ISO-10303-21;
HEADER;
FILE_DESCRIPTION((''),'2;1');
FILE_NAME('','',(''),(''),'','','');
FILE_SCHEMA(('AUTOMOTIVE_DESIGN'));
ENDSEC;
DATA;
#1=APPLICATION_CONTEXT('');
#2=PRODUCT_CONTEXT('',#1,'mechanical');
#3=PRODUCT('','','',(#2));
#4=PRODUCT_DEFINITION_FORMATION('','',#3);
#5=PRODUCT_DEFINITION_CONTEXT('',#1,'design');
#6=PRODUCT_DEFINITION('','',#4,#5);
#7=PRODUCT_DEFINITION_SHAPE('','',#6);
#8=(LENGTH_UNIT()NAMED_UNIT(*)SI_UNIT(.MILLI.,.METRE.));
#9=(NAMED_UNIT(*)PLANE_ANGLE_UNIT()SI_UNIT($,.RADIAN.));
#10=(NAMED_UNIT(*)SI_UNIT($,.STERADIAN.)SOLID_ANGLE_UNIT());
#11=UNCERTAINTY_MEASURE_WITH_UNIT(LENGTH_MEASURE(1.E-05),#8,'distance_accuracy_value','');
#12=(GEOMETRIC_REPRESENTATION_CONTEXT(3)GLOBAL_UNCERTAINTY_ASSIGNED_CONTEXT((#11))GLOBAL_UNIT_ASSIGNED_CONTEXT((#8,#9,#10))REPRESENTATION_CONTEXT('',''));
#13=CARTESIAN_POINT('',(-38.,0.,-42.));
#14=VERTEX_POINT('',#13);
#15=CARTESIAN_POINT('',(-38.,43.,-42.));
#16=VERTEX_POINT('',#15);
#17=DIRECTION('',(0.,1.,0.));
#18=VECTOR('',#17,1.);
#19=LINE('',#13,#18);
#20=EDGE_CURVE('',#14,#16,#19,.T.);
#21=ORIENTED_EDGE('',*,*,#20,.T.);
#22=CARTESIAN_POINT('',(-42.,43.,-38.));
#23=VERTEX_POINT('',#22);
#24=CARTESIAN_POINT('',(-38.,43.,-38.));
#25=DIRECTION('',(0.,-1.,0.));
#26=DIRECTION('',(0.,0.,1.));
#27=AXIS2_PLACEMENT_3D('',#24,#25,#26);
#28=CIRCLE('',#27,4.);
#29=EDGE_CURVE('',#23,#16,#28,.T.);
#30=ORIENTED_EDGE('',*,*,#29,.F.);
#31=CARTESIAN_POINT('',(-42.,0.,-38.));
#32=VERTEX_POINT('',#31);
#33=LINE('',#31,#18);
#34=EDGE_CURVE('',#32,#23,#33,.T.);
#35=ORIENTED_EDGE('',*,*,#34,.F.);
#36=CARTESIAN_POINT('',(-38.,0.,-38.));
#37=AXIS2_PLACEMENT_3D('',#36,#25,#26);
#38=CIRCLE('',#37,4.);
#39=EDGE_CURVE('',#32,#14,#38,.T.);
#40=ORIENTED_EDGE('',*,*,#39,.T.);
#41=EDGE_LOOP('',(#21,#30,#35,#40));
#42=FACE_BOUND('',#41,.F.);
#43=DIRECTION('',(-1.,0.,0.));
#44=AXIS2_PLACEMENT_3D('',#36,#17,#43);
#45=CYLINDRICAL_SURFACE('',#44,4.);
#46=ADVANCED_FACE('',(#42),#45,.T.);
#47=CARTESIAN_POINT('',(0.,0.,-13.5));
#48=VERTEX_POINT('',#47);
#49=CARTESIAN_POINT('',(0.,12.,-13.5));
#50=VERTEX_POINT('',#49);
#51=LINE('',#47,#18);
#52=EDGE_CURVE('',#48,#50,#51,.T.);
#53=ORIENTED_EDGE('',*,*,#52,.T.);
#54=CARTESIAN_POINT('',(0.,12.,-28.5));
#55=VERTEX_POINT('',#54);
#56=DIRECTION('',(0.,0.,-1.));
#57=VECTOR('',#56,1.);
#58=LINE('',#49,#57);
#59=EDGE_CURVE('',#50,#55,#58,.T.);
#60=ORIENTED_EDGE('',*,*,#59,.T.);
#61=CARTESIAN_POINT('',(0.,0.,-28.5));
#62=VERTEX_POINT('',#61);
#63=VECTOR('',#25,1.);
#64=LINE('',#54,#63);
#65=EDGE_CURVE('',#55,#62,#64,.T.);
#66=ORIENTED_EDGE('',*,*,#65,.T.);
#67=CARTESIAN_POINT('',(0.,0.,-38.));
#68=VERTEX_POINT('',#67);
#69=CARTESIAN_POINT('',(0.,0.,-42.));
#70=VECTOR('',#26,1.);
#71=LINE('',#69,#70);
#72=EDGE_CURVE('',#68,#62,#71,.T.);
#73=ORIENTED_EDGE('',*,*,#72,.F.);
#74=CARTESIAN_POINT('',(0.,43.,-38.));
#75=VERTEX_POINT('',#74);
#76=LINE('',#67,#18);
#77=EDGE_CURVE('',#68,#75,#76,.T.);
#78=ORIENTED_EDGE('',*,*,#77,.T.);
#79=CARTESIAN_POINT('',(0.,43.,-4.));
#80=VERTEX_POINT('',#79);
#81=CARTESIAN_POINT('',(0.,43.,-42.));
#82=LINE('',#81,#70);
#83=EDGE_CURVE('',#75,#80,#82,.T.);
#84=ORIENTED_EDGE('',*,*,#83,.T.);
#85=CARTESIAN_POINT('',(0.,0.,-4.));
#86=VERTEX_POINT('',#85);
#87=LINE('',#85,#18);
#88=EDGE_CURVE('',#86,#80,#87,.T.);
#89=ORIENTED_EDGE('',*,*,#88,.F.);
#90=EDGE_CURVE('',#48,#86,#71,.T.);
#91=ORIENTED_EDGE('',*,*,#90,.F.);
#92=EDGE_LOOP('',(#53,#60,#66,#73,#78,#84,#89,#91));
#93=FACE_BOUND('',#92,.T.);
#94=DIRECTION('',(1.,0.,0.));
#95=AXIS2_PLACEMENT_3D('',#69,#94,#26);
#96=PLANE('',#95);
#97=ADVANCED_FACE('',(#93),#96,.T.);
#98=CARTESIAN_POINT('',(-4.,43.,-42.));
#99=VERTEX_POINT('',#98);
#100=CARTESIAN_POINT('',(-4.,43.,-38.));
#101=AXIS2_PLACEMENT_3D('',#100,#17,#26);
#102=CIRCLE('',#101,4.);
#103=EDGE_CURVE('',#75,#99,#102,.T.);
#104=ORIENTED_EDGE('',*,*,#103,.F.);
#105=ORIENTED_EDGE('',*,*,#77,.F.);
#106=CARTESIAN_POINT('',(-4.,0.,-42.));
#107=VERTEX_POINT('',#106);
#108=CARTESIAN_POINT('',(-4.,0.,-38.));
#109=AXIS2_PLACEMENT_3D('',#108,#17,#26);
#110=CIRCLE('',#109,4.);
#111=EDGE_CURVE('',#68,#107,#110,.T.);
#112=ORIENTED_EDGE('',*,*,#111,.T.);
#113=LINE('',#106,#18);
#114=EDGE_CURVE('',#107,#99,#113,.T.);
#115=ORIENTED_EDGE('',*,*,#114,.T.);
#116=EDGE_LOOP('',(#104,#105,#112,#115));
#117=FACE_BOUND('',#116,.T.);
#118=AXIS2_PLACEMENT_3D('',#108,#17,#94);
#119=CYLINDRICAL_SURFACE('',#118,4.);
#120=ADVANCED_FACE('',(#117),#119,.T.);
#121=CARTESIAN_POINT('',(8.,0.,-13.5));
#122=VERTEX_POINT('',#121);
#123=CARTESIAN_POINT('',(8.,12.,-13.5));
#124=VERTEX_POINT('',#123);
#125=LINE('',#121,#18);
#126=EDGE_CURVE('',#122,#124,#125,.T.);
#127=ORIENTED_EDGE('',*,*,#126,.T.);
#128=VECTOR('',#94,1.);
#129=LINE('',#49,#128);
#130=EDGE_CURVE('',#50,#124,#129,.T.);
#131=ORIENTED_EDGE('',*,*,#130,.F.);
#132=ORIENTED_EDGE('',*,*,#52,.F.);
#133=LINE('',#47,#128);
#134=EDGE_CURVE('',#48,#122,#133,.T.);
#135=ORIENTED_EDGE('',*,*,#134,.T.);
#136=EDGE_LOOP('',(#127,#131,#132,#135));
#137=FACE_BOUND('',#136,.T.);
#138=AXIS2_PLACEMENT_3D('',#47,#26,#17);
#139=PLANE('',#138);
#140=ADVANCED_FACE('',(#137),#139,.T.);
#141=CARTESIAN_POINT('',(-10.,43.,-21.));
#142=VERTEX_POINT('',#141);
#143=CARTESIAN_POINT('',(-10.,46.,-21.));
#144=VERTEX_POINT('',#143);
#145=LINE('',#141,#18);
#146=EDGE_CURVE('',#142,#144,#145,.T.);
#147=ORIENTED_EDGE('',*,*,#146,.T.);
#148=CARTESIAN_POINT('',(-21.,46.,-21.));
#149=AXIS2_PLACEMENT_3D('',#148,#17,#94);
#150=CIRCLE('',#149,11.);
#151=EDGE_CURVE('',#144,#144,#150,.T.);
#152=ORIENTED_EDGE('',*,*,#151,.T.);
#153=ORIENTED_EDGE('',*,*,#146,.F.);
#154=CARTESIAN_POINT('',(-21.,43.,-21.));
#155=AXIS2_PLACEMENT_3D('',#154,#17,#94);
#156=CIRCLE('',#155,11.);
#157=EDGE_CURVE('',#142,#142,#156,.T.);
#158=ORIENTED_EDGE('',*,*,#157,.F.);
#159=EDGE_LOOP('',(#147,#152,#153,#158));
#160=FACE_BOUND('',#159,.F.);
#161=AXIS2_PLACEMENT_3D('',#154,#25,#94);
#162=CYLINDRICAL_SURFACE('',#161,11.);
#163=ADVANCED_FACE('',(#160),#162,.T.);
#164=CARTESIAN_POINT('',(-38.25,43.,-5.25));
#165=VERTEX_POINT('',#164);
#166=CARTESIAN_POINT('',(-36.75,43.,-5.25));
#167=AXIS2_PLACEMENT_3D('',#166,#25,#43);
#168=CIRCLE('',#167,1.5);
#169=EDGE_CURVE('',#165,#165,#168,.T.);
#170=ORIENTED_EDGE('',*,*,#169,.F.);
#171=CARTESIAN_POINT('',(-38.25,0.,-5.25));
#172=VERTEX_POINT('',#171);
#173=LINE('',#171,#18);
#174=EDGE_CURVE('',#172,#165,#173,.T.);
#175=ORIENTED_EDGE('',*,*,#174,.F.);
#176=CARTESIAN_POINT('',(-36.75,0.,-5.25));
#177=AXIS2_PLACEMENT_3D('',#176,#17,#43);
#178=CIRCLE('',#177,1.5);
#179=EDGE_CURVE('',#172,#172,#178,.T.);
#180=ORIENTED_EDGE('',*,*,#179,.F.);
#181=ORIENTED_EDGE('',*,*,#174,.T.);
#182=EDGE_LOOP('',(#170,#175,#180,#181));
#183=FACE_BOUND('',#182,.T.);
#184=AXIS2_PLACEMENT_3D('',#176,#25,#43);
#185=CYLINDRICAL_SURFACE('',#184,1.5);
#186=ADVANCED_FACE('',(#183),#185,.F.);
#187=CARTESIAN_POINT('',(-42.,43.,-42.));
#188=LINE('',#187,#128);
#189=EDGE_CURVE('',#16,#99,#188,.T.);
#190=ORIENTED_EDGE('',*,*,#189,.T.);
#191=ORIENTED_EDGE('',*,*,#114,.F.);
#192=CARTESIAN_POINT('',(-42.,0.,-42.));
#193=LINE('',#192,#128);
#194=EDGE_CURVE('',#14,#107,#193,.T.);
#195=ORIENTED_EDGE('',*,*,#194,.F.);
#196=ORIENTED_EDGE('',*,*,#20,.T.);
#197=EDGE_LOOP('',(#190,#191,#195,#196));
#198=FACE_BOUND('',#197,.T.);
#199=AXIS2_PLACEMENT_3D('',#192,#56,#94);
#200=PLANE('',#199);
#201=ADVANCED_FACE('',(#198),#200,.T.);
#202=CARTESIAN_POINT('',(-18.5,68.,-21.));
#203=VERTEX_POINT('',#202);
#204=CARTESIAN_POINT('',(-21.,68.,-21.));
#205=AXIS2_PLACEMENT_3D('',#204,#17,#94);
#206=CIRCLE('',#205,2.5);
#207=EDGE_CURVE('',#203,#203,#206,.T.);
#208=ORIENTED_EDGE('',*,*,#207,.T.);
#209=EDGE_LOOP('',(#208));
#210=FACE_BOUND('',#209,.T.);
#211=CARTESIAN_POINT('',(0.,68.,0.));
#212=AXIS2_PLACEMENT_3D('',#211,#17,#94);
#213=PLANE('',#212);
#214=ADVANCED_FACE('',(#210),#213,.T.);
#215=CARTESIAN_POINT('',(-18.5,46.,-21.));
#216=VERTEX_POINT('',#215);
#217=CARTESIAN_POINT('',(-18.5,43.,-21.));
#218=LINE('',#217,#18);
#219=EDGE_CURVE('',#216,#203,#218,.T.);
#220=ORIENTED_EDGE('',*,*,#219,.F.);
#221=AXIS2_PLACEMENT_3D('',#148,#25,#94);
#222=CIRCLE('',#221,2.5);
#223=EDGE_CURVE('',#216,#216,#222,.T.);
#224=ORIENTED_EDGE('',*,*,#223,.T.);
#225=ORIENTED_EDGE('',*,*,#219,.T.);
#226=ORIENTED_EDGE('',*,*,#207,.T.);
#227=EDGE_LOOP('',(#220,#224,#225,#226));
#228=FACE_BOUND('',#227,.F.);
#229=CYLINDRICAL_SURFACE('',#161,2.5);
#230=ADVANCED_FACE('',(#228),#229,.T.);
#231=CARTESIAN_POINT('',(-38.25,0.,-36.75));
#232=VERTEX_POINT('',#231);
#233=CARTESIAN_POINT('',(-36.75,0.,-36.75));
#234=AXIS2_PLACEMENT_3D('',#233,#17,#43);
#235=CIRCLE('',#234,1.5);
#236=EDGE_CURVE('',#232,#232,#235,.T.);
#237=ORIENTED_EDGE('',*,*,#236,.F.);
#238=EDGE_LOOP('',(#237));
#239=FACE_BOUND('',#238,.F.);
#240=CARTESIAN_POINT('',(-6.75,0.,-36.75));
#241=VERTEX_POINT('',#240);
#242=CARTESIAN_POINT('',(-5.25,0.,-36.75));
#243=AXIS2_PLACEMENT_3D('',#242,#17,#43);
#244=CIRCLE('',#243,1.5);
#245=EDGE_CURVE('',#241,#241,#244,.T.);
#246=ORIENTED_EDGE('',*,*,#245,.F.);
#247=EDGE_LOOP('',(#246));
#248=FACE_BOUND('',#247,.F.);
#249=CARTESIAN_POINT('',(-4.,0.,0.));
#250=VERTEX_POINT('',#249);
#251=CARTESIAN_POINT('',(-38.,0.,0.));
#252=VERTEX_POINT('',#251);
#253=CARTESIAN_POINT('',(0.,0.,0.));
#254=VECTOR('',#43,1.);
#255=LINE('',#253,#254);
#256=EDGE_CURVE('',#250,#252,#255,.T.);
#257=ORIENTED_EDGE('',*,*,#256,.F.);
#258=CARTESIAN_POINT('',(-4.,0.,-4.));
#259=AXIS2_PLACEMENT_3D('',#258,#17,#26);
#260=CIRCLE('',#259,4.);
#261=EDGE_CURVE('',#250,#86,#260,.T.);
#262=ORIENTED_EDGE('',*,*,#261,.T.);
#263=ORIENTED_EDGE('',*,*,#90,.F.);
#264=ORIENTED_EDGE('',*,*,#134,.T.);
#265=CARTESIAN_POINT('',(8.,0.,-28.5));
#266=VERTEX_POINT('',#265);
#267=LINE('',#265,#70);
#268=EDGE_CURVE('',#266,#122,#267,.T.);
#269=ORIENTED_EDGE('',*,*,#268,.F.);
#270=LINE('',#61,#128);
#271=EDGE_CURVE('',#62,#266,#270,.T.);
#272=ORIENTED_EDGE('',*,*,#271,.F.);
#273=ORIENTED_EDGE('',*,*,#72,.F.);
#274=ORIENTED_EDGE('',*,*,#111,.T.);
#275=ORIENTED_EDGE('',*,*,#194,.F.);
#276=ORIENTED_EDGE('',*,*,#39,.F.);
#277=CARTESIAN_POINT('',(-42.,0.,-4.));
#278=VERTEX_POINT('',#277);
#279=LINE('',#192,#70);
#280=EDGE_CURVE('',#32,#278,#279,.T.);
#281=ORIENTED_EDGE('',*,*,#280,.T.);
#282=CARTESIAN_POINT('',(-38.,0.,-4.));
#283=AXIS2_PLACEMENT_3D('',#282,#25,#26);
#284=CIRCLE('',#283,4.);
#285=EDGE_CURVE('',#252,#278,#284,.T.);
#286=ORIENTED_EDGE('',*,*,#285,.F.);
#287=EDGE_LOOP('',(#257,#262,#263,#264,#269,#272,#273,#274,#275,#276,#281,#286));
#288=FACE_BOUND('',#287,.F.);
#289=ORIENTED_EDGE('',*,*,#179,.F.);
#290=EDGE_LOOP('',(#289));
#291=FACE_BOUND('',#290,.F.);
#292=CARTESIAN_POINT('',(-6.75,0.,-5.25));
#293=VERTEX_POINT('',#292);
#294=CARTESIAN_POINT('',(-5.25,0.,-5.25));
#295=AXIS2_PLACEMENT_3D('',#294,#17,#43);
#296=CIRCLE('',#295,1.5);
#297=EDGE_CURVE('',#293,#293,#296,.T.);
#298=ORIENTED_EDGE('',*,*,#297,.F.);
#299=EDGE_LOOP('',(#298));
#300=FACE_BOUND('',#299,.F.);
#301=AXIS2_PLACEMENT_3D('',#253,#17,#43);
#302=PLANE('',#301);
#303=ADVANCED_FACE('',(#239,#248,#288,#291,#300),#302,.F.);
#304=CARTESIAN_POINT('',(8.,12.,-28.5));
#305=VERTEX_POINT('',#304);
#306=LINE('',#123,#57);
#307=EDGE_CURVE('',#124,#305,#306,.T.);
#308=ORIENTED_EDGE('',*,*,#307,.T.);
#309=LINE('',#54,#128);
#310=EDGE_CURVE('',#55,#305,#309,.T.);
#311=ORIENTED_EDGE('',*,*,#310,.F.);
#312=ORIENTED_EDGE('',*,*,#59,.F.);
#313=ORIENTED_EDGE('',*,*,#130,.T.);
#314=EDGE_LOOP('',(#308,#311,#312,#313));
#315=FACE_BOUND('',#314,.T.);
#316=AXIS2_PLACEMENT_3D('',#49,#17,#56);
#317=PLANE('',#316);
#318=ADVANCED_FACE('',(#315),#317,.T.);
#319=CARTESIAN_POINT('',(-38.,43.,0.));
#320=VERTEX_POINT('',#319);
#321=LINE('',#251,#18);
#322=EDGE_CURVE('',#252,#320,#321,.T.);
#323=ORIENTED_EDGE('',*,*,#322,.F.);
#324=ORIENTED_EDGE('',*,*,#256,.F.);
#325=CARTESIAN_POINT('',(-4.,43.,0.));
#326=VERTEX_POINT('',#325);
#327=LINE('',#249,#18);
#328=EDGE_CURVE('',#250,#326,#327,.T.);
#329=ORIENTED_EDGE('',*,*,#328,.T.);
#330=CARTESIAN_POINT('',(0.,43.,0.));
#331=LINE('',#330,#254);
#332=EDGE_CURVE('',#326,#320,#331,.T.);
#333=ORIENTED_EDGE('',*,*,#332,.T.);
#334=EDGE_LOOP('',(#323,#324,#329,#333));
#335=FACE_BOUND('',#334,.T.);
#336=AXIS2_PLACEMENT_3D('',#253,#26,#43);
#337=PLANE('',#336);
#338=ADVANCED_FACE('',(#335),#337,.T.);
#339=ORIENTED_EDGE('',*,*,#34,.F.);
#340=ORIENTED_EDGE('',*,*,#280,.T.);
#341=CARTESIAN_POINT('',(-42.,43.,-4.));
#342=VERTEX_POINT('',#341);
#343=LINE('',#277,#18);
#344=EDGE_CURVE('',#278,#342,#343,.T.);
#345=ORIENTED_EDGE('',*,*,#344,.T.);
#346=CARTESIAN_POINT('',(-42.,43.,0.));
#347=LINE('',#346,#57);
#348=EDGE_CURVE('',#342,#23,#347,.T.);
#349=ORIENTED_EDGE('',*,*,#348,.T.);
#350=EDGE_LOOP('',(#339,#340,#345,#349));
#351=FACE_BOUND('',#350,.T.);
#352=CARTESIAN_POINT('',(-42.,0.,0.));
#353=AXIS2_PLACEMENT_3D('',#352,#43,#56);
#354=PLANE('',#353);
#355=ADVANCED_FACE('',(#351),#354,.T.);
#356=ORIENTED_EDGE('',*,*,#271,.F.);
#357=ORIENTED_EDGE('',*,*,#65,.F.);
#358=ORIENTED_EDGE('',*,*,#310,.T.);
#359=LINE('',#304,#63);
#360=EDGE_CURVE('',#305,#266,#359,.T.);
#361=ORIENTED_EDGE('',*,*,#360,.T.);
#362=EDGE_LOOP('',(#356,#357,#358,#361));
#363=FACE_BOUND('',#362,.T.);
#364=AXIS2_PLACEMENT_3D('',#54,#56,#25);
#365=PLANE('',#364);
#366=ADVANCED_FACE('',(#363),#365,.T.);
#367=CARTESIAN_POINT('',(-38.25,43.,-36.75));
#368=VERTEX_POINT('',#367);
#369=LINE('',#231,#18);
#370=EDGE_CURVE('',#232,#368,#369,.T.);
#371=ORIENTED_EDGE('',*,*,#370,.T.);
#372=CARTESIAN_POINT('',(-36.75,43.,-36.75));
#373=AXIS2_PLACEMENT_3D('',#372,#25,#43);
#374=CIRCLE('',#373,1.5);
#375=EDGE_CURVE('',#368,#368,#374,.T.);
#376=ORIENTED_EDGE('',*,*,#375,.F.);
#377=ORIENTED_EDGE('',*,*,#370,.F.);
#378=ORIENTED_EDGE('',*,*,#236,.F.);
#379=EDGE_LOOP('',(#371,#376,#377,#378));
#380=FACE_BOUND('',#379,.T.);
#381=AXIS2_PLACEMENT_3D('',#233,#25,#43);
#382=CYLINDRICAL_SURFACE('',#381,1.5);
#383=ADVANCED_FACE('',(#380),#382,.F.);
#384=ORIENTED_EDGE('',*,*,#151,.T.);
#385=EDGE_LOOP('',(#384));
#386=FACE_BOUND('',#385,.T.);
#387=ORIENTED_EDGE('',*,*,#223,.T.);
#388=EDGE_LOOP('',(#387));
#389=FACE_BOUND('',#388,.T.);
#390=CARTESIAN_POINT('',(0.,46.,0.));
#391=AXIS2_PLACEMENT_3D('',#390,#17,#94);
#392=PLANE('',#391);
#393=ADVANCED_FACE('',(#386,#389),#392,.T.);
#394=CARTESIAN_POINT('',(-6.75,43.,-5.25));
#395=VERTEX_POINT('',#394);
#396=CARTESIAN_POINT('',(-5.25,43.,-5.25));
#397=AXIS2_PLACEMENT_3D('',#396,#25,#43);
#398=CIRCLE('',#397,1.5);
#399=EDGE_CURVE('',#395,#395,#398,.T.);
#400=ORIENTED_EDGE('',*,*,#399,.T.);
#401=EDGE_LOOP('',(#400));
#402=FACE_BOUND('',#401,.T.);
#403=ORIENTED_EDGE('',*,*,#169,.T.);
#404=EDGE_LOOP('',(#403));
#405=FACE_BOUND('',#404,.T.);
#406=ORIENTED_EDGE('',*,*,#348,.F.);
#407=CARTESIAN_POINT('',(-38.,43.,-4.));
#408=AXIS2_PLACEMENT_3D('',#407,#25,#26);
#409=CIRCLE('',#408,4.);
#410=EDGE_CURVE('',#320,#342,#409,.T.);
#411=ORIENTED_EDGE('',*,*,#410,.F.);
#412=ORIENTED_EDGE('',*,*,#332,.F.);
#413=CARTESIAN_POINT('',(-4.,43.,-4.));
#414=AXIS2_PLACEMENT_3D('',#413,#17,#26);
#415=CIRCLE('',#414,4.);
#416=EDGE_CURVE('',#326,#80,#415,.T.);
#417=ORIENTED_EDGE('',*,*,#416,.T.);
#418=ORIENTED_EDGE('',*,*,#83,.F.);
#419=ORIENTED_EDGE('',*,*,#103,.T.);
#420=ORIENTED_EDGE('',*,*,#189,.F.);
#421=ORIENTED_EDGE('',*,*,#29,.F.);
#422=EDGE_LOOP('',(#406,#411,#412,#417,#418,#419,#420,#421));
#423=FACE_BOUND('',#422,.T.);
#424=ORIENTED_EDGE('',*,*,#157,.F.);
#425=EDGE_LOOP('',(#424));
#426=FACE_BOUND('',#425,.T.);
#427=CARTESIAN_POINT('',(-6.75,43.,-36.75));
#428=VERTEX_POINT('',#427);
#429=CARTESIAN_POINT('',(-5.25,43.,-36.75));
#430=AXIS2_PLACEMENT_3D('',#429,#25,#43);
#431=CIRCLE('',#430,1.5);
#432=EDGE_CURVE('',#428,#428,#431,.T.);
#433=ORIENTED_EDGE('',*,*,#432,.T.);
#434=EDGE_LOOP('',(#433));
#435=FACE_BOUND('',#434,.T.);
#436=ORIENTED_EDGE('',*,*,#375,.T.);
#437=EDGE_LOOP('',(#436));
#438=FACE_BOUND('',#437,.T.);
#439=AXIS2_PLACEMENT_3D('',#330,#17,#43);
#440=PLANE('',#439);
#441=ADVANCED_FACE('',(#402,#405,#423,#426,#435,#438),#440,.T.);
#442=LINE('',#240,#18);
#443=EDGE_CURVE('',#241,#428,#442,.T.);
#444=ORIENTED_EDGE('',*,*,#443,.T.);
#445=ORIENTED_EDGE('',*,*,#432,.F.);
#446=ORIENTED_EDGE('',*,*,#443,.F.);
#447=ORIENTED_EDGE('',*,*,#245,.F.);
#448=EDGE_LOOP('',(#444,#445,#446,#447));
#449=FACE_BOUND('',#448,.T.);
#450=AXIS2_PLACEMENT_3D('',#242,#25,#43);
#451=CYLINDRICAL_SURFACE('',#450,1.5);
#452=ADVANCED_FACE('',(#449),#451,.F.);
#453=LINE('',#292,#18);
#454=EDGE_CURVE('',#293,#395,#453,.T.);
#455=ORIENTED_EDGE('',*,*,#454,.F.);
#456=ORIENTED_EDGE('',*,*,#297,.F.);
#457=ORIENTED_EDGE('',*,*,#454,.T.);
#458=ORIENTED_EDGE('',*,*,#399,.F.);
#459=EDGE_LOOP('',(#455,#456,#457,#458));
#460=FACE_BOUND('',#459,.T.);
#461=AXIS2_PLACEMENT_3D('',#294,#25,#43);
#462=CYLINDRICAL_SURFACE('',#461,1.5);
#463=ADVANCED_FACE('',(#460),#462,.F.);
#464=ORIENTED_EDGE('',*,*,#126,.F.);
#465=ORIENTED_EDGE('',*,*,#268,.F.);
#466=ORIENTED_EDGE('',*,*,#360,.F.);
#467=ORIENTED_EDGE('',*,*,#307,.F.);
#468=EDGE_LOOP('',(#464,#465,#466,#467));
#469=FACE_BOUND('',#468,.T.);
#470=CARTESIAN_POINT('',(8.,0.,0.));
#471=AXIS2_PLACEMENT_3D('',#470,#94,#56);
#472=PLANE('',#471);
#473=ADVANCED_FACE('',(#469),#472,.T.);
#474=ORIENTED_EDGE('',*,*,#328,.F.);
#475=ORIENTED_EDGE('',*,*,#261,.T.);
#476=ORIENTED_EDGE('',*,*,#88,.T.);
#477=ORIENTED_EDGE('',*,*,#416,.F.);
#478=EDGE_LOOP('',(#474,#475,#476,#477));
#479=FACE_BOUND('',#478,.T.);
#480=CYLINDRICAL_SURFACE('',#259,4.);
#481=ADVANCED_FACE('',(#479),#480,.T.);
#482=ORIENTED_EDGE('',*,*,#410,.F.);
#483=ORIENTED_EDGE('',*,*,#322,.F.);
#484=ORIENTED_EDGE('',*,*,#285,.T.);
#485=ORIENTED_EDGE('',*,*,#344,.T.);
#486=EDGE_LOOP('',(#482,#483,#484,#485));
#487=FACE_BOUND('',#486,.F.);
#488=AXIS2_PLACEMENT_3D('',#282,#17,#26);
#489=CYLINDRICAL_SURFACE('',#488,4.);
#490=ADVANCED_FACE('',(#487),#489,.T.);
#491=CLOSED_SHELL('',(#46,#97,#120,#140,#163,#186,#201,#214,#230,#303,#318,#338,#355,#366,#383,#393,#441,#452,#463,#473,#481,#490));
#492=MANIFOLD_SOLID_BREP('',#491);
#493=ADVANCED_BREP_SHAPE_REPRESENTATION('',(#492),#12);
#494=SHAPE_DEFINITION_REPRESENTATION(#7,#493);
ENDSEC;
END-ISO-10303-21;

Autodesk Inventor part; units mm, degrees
ref_plane "YZ Plane" through (0, 0, 0) normal (1, 0, 0) x (0, 1, 0)
ref_plane "XZ Plane" through (0, 0, 0) normal (0, 1, 0) x (-1, 0, 0)
ref_plane "XY Plane" through (0, 0, 0) normal (0, 0, 1) x (1, 0, 0)
sketch "Sketch1" plane through (0, 0, 0) normal (0, 1, 0) x (-1, 0, 0)
  line L0 (0, 0) -> (42, 0)
  line L1 (42, 0) -> (42, -42)
  line L2 (42, -42) -> (0, -42)
  line L3 (0, -42) -> (0, 0)
  line L4 (42, -21) -> (42, -5.25)
  line L5 (21, -5.25) -> (36.75, -5.25)
  line L6 (36.75, -5.25) -> (5.25, -5.25)
  line L7 (5.25, -5.25) -> (5.25, -36.75)
  line L8 (5.25, -36.75) -> (36.75, -36.75)
  line L9 (36.75, -36.75) -> (36.75, -5.25)
  circle A0 centre (36.75, -5.25) radius 1.5
  circle A1 centre (36.75, -36.75) radius 1.5
  circle A2 centre (5.25, -36.75) radius 1.5
  circle A3 centre (5.25, -5.25) radius 1.5
  dimension "d6" = 3
  dimension "d7" = 3
  dimension "d8" = 3
  dimension "d9" = 3
extrude "Extrusion1" add sketch "Sketch1" along normal blind 43 contours L0 L1 L2 L3 | L5 A0 L9 A1 L8 A2 L7 A3 L6
sketch "Sketch2" plane through (0, 43, 0) normal (0, 1, 0) x (1, 0, 0)
  circle A0 centre (-21, 21) radius 11
  circle A1 centre (-21, 21) radius 2.5
  point P0 (0, 0)
  dimension "d12" = 22
  dimension "d15" = 5
extrude "Extrusion2" add sketch "Sketch2" along normal blind 3 contours A0 | A1
extrude "Extrusion3" add sketch "Sketch2" along normal blind 25 contours A1
sketch "Sketch3" plane through (0, 0, 0) normal (1, 0, 0) x (0, 0, -1)
  line L0 (42, 0) -> (0, 0) projected
  line L1 (21, 0) -> (28.5, 0)
  line L2 (28.5, 0) -> (13.5, 0)
  line L3 (13.5, 0) -> (13.5, 12)
  line L4 (13.5, 12) -> (28.5, 12)
  line L5 (28.5, 12) -> (28.5, 0)
  dimension "d18" = 7.5
  dimension "d19" = 15
  dimension "d20" = 12
extrude "Extrusion4" add sketch "Sketch3" along normal blind 8
fillet "Fillet1" radius 4 4 edges at (0, 21.5, 0) (0, 21.5, -42) (-42, 21.5, 0) (-42, 21.5, -42)
properties part number "stepperMotor"
